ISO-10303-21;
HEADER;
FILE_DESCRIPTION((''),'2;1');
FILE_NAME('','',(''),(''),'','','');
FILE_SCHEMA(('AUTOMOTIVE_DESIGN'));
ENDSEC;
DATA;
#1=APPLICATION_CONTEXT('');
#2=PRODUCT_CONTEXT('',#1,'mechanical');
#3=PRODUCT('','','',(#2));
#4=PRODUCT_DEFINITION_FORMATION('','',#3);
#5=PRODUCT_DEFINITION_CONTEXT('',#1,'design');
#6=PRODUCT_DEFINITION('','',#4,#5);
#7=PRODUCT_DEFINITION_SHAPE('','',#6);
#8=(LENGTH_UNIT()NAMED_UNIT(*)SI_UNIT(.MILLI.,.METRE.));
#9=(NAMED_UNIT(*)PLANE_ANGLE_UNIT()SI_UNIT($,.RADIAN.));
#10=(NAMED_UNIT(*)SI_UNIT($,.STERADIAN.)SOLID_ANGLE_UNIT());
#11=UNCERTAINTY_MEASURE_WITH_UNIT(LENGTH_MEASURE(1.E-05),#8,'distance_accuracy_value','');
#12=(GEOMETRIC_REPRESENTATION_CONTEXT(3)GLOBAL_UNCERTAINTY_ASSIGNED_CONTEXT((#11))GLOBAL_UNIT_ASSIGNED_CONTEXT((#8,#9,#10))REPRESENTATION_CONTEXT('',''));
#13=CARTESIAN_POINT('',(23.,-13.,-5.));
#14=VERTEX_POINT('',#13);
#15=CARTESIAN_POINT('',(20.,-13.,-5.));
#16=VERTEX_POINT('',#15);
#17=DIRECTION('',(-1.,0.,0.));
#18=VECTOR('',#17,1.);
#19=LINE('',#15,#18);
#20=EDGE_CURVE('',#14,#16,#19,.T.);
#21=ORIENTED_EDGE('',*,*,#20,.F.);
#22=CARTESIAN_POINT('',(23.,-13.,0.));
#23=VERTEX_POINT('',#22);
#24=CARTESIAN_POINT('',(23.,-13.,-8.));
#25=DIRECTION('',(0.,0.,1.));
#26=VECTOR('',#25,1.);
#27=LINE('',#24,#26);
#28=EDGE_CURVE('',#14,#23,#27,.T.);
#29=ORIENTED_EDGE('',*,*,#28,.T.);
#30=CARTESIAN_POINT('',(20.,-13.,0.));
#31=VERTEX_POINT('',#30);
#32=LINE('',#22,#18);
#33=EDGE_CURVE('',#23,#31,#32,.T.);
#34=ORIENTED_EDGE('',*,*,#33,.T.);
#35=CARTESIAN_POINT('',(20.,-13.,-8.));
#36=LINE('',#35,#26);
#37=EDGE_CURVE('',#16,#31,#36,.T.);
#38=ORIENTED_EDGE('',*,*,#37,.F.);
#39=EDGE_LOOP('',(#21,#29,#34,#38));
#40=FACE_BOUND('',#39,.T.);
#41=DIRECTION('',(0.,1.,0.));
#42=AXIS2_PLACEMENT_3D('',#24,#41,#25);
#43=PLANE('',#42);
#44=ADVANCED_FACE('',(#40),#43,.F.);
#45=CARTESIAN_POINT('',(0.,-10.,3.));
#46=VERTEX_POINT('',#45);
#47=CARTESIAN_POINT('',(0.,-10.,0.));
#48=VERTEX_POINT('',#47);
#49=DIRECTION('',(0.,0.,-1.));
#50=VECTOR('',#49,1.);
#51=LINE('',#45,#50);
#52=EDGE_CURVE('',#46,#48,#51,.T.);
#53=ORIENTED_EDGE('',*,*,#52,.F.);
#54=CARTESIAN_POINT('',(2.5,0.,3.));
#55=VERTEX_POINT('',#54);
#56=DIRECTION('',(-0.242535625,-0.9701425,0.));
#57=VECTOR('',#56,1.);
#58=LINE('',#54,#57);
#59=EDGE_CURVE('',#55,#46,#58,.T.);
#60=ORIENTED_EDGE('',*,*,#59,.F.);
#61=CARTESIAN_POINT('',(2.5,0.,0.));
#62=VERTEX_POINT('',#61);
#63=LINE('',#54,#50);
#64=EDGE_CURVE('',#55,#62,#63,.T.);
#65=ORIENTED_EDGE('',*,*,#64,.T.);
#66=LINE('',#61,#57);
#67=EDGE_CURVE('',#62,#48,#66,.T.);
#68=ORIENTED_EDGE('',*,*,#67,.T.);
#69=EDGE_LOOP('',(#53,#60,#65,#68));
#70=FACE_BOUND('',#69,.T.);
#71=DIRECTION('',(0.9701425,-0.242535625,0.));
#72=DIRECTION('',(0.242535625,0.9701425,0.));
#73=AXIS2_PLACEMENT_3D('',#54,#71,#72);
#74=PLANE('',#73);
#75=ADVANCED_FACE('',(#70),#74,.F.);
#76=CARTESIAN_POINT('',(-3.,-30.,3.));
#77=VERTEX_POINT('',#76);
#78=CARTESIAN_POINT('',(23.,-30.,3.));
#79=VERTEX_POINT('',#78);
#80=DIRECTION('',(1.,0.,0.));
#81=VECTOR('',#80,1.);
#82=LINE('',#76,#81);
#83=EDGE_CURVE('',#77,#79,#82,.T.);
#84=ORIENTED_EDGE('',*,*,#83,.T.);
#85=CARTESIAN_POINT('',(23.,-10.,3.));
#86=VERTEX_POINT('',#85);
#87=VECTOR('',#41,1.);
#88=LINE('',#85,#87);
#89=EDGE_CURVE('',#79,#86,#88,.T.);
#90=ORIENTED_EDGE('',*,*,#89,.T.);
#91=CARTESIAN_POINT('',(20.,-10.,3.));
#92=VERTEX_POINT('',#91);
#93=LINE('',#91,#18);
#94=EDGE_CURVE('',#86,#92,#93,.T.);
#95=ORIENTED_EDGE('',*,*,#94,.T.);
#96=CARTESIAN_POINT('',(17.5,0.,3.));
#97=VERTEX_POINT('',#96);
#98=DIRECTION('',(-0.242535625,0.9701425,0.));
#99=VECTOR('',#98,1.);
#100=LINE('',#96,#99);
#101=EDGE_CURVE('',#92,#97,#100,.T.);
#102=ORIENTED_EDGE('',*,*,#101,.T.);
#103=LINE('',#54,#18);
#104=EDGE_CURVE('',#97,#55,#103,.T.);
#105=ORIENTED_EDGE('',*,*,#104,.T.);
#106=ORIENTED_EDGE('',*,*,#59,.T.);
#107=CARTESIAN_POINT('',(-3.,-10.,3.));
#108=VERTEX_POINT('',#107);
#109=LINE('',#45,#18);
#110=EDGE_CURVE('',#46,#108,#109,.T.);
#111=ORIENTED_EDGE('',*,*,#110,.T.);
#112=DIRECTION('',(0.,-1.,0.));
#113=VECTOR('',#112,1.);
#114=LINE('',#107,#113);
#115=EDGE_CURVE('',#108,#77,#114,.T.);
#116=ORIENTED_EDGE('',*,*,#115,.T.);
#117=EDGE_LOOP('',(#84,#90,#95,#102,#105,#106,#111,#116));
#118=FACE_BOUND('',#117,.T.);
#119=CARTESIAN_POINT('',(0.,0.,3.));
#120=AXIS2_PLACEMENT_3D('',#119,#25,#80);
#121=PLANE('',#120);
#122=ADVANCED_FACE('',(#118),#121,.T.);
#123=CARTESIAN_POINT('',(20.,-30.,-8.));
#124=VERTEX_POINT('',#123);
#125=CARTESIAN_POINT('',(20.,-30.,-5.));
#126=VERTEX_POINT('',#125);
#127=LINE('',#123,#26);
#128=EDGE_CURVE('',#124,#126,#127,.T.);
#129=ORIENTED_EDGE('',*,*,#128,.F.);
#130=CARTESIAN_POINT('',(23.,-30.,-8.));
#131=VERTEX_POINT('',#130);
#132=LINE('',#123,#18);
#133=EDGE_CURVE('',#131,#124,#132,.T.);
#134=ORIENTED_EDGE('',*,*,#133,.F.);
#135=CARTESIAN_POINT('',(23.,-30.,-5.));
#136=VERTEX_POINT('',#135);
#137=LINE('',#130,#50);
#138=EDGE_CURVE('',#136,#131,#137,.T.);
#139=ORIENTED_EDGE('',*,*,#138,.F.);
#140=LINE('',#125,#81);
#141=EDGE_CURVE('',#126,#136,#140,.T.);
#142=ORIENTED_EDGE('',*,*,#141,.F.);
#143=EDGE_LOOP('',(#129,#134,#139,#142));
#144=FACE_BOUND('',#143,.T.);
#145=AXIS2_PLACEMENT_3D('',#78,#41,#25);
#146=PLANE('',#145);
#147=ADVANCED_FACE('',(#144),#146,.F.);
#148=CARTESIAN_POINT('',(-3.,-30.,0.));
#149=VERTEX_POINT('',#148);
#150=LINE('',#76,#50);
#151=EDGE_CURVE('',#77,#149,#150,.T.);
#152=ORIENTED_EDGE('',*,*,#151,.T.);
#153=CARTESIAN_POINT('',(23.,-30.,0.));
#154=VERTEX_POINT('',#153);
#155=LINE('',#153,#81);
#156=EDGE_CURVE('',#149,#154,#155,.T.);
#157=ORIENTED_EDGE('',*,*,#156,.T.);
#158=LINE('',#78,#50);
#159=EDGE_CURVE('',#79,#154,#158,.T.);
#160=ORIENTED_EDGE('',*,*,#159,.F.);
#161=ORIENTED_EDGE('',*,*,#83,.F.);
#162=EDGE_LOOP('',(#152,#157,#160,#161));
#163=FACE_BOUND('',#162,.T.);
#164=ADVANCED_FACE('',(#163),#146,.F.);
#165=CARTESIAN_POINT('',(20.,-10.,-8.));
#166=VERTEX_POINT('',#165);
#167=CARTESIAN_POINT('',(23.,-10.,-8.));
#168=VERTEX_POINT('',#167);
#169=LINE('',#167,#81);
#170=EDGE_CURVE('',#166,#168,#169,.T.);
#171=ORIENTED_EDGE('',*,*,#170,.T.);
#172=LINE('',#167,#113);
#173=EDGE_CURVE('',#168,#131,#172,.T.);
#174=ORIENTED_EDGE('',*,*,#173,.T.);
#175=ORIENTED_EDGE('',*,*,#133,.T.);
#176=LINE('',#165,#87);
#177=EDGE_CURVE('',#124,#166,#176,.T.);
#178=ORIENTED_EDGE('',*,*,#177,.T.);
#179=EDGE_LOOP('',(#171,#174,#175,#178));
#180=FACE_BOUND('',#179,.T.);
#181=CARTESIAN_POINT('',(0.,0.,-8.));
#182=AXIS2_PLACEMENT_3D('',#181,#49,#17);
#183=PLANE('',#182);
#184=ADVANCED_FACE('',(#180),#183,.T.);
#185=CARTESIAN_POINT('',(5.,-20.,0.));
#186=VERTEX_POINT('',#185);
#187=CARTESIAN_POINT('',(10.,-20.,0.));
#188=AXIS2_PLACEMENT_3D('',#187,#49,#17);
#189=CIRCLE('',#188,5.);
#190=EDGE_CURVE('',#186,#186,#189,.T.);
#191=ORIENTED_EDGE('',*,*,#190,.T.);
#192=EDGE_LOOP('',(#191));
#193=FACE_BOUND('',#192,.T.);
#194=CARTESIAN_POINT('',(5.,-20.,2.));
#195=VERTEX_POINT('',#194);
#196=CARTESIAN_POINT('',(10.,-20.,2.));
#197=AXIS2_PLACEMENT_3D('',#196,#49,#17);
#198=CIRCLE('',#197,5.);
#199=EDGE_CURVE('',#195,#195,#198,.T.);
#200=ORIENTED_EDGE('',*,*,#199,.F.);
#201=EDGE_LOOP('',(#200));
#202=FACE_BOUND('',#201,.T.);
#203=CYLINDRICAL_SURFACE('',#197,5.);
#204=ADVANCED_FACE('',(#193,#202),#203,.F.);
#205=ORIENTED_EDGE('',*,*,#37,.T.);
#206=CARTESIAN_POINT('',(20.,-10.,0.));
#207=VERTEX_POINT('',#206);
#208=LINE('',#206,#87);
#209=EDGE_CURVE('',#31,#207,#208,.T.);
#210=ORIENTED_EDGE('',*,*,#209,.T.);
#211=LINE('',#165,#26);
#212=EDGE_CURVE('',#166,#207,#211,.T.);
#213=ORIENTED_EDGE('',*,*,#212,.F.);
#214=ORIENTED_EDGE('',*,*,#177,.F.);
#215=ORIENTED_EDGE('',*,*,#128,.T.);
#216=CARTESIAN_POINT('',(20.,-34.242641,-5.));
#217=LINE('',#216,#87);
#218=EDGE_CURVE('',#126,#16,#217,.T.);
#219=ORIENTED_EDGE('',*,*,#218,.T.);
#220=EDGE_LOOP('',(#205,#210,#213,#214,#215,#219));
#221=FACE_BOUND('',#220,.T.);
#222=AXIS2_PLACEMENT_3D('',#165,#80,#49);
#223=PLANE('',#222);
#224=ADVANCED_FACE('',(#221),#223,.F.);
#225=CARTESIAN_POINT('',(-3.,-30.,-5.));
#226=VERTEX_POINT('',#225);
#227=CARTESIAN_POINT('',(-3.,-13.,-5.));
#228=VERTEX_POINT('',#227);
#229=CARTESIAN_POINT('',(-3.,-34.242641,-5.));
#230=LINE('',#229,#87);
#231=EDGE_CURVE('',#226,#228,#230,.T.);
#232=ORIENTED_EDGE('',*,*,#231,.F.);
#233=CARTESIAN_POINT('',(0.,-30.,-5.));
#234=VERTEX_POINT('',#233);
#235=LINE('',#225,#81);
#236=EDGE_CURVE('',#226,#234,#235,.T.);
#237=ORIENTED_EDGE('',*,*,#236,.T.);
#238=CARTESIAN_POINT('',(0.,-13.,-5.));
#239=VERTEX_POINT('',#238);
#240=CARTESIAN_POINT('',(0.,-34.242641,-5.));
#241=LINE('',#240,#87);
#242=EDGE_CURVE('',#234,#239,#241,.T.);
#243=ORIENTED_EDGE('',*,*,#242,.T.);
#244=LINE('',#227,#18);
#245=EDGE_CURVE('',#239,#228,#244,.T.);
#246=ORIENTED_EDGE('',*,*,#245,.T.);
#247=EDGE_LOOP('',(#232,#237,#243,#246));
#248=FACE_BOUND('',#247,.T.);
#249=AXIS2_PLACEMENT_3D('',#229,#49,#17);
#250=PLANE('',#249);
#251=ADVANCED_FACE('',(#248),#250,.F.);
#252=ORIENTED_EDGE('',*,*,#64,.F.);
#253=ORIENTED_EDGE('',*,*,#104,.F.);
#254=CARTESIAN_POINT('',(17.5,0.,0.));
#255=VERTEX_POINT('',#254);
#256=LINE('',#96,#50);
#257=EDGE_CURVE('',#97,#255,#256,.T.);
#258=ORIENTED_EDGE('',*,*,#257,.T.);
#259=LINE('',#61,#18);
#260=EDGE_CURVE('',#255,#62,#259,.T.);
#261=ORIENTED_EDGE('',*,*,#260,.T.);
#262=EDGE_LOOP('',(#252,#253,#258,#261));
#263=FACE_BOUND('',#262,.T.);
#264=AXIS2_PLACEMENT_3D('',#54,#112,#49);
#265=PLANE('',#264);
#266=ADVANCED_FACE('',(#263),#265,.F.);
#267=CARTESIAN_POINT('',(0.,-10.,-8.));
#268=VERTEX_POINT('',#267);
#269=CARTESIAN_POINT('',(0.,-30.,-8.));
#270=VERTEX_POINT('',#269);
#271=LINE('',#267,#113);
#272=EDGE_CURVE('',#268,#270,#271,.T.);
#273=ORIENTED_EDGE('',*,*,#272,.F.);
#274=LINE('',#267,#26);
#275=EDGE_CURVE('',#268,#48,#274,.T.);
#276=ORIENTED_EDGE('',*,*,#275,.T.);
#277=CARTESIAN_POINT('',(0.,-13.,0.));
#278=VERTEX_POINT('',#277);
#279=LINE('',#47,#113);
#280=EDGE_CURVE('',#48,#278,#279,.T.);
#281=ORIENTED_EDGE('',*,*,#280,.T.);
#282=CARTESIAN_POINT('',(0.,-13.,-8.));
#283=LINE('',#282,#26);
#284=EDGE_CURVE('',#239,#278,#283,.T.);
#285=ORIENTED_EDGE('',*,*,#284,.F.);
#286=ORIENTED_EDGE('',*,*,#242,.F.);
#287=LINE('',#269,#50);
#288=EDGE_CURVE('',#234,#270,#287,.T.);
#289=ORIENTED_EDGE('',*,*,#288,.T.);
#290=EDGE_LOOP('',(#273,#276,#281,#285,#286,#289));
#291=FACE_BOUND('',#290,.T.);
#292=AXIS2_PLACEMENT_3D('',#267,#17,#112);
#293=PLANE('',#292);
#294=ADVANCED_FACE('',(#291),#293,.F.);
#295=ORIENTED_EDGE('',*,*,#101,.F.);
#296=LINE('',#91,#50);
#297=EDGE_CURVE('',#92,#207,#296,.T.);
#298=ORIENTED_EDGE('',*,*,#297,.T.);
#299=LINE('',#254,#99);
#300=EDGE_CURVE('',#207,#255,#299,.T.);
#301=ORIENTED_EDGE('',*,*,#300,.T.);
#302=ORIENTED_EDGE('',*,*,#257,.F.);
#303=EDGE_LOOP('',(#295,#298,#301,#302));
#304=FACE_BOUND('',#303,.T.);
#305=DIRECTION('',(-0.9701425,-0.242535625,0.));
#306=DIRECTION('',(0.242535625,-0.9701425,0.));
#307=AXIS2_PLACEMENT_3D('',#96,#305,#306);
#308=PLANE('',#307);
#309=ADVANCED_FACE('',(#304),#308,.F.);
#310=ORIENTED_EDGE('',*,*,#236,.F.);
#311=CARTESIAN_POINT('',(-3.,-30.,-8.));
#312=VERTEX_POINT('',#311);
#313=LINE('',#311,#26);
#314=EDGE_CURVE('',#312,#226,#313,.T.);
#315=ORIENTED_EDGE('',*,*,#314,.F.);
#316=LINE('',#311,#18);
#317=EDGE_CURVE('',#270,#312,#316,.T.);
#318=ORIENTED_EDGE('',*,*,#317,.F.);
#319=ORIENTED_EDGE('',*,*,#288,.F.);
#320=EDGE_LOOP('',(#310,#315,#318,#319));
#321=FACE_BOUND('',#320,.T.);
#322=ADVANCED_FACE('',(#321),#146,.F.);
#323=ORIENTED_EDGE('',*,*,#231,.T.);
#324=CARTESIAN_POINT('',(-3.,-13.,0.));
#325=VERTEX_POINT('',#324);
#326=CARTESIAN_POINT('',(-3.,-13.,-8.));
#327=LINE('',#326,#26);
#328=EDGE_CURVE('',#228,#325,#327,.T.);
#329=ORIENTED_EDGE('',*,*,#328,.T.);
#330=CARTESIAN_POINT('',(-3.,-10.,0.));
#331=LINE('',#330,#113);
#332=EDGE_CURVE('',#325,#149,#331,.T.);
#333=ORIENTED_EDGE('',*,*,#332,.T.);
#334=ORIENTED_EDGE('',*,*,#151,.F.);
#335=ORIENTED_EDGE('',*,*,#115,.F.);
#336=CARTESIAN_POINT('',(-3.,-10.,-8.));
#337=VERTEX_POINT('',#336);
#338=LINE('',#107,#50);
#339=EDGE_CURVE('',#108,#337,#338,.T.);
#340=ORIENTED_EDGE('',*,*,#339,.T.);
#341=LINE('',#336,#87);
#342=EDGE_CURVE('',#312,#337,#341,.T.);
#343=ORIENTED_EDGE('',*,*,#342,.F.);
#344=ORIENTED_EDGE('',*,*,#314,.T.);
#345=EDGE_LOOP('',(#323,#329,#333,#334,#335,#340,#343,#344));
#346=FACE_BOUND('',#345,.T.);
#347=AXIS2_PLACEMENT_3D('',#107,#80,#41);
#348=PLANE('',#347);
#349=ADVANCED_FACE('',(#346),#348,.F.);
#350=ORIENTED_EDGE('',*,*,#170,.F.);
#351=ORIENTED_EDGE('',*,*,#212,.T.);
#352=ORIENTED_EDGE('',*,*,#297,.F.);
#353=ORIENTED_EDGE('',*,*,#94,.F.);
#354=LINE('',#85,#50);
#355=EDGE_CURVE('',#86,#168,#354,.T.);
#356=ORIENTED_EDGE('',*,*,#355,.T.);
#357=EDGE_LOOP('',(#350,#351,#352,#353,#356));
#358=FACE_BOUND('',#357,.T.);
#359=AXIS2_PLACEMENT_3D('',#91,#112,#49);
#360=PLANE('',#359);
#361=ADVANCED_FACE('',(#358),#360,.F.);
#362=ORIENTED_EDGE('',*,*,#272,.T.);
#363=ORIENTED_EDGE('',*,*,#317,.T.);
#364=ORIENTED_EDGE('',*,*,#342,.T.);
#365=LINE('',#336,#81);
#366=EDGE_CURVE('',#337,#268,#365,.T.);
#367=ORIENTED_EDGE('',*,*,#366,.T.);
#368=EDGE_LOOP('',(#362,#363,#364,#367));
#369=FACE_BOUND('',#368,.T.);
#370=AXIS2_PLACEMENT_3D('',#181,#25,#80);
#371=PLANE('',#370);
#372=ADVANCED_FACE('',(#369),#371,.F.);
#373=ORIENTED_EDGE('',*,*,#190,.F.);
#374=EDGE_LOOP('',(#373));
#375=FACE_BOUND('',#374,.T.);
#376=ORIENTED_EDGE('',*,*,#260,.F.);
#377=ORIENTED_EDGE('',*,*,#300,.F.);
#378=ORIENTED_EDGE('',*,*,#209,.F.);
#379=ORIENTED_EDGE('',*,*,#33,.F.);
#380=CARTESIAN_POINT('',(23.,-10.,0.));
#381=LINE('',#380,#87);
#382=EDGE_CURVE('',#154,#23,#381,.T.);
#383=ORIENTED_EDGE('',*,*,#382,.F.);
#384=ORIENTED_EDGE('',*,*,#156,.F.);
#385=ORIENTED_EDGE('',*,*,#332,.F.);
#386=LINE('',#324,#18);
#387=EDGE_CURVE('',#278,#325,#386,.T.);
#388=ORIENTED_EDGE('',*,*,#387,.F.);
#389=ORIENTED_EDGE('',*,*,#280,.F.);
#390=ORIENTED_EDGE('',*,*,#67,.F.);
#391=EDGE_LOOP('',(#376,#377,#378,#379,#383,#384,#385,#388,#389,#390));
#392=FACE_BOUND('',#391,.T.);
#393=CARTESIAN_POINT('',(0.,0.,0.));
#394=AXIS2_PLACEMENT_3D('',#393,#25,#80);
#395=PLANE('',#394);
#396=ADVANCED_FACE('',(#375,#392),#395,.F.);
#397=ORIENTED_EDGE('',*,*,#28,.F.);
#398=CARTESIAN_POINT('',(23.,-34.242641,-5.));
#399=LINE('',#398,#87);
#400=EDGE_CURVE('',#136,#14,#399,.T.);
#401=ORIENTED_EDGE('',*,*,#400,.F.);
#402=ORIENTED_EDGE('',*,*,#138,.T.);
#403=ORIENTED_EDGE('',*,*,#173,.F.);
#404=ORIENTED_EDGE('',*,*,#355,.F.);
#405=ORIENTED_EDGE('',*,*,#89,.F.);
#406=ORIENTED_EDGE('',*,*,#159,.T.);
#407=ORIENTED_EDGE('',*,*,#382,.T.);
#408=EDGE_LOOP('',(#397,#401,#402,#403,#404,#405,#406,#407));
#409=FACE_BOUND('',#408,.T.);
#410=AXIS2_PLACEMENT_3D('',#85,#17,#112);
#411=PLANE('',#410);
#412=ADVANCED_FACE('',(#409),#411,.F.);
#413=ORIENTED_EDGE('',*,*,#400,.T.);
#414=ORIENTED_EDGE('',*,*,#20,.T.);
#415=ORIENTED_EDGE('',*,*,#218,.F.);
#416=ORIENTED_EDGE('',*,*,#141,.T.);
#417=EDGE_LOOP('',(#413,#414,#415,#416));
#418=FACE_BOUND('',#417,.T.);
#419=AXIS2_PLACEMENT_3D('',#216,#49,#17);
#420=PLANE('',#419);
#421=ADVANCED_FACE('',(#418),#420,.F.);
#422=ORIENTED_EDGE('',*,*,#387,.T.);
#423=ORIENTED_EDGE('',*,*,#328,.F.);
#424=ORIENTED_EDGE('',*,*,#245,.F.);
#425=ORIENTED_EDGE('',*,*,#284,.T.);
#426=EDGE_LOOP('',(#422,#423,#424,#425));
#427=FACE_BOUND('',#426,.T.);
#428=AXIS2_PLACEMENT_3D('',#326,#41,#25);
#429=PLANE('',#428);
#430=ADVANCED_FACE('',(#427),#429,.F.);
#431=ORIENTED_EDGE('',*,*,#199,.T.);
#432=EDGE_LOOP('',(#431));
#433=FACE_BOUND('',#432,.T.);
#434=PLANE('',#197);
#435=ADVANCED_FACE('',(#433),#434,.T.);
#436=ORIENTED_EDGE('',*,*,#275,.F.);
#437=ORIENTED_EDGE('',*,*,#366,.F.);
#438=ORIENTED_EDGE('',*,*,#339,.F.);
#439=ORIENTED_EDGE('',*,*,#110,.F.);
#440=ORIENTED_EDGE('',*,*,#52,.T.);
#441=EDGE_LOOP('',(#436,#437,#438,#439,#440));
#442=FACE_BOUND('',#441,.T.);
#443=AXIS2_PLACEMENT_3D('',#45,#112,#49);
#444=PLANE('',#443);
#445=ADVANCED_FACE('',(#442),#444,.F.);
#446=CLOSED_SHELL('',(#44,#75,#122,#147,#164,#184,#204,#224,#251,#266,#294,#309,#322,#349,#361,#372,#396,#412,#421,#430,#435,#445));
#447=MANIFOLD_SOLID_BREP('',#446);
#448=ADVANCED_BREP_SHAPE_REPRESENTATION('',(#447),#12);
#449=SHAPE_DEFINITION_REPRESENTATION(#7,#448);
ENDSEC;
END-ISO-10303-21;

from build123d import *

# Parameters (mm, degrees)
EXTRUDE_1_DEPTH     = 3
SKETCH_4_W          = 3
SKETCH_4_H          = 3
EXTRUDE_2_DEPTH     = 8
SKETCH_5_W          = 3
SKETCH_5_H          = 3
EXTRUDE_3_DEPTH     = 17
SKETCH_6_R          = 5
CUT_EXTRUDE_1_DEPTH = 2


with BuildPart() as part:
    # 草图1 → 凸台-拉伸1 (new body)
    with BuildSketch(Plane.XY):
        Polygon((2.5, 0), (0, -10), (-3, -10), (-3, -30), (0, -30), (20, -30), (23, -30), (23, -10), (20, -10), (17.5, 0), align=None)
    extrude(amount=EXTRUDE_1_DEPTH)

    # 草图4 → 凸台-拉伸2 (add)
    with BuildSketch(Plane(origin=(0, 0, 0), x_dir=(-1, 0, 0), z_dir=(0, 0, -1))):
        with Locations((-21.5, -11.5)):
            Rectangle(SKETCH_4_W, SKETCH_4_H)
        with Locations((1.5, -11.5)):
            Rectangle(SKETCH_4_W, SKETCH_4_H)
    extrude(amount=EXTRUDE_2_DEPTH)

    # 草图5 → 凸台-拉伸3 (add)
    with BuildSketch(Plane.XZ.offset(13)):
        with Locations((-1.5, -6.5)):
            Rectangle(SKETCH_5_W, SKETCH_5_H)
        with Locations((21.5, -6.5)):
            Rectangle(SKETCH_5_W, SKETCH_5_H)
    extrude(amount=EXTRUDE_3_DEPTH)

    # 草图6 → 切除-拉伸1 (cut)
    with BuildSketch(Plane(origin=(0, 0, 0), x_dir=(-1, 0, 0), z_dir=(0, 0, -1))):
        with Locations((-10, -20)):
            Circle(SKETCH_6_R)
    extrude(amount=-CUT_EXTRUDE_1_DEPTH, mode=Mode.SUBTRACT)


solid = part.part
